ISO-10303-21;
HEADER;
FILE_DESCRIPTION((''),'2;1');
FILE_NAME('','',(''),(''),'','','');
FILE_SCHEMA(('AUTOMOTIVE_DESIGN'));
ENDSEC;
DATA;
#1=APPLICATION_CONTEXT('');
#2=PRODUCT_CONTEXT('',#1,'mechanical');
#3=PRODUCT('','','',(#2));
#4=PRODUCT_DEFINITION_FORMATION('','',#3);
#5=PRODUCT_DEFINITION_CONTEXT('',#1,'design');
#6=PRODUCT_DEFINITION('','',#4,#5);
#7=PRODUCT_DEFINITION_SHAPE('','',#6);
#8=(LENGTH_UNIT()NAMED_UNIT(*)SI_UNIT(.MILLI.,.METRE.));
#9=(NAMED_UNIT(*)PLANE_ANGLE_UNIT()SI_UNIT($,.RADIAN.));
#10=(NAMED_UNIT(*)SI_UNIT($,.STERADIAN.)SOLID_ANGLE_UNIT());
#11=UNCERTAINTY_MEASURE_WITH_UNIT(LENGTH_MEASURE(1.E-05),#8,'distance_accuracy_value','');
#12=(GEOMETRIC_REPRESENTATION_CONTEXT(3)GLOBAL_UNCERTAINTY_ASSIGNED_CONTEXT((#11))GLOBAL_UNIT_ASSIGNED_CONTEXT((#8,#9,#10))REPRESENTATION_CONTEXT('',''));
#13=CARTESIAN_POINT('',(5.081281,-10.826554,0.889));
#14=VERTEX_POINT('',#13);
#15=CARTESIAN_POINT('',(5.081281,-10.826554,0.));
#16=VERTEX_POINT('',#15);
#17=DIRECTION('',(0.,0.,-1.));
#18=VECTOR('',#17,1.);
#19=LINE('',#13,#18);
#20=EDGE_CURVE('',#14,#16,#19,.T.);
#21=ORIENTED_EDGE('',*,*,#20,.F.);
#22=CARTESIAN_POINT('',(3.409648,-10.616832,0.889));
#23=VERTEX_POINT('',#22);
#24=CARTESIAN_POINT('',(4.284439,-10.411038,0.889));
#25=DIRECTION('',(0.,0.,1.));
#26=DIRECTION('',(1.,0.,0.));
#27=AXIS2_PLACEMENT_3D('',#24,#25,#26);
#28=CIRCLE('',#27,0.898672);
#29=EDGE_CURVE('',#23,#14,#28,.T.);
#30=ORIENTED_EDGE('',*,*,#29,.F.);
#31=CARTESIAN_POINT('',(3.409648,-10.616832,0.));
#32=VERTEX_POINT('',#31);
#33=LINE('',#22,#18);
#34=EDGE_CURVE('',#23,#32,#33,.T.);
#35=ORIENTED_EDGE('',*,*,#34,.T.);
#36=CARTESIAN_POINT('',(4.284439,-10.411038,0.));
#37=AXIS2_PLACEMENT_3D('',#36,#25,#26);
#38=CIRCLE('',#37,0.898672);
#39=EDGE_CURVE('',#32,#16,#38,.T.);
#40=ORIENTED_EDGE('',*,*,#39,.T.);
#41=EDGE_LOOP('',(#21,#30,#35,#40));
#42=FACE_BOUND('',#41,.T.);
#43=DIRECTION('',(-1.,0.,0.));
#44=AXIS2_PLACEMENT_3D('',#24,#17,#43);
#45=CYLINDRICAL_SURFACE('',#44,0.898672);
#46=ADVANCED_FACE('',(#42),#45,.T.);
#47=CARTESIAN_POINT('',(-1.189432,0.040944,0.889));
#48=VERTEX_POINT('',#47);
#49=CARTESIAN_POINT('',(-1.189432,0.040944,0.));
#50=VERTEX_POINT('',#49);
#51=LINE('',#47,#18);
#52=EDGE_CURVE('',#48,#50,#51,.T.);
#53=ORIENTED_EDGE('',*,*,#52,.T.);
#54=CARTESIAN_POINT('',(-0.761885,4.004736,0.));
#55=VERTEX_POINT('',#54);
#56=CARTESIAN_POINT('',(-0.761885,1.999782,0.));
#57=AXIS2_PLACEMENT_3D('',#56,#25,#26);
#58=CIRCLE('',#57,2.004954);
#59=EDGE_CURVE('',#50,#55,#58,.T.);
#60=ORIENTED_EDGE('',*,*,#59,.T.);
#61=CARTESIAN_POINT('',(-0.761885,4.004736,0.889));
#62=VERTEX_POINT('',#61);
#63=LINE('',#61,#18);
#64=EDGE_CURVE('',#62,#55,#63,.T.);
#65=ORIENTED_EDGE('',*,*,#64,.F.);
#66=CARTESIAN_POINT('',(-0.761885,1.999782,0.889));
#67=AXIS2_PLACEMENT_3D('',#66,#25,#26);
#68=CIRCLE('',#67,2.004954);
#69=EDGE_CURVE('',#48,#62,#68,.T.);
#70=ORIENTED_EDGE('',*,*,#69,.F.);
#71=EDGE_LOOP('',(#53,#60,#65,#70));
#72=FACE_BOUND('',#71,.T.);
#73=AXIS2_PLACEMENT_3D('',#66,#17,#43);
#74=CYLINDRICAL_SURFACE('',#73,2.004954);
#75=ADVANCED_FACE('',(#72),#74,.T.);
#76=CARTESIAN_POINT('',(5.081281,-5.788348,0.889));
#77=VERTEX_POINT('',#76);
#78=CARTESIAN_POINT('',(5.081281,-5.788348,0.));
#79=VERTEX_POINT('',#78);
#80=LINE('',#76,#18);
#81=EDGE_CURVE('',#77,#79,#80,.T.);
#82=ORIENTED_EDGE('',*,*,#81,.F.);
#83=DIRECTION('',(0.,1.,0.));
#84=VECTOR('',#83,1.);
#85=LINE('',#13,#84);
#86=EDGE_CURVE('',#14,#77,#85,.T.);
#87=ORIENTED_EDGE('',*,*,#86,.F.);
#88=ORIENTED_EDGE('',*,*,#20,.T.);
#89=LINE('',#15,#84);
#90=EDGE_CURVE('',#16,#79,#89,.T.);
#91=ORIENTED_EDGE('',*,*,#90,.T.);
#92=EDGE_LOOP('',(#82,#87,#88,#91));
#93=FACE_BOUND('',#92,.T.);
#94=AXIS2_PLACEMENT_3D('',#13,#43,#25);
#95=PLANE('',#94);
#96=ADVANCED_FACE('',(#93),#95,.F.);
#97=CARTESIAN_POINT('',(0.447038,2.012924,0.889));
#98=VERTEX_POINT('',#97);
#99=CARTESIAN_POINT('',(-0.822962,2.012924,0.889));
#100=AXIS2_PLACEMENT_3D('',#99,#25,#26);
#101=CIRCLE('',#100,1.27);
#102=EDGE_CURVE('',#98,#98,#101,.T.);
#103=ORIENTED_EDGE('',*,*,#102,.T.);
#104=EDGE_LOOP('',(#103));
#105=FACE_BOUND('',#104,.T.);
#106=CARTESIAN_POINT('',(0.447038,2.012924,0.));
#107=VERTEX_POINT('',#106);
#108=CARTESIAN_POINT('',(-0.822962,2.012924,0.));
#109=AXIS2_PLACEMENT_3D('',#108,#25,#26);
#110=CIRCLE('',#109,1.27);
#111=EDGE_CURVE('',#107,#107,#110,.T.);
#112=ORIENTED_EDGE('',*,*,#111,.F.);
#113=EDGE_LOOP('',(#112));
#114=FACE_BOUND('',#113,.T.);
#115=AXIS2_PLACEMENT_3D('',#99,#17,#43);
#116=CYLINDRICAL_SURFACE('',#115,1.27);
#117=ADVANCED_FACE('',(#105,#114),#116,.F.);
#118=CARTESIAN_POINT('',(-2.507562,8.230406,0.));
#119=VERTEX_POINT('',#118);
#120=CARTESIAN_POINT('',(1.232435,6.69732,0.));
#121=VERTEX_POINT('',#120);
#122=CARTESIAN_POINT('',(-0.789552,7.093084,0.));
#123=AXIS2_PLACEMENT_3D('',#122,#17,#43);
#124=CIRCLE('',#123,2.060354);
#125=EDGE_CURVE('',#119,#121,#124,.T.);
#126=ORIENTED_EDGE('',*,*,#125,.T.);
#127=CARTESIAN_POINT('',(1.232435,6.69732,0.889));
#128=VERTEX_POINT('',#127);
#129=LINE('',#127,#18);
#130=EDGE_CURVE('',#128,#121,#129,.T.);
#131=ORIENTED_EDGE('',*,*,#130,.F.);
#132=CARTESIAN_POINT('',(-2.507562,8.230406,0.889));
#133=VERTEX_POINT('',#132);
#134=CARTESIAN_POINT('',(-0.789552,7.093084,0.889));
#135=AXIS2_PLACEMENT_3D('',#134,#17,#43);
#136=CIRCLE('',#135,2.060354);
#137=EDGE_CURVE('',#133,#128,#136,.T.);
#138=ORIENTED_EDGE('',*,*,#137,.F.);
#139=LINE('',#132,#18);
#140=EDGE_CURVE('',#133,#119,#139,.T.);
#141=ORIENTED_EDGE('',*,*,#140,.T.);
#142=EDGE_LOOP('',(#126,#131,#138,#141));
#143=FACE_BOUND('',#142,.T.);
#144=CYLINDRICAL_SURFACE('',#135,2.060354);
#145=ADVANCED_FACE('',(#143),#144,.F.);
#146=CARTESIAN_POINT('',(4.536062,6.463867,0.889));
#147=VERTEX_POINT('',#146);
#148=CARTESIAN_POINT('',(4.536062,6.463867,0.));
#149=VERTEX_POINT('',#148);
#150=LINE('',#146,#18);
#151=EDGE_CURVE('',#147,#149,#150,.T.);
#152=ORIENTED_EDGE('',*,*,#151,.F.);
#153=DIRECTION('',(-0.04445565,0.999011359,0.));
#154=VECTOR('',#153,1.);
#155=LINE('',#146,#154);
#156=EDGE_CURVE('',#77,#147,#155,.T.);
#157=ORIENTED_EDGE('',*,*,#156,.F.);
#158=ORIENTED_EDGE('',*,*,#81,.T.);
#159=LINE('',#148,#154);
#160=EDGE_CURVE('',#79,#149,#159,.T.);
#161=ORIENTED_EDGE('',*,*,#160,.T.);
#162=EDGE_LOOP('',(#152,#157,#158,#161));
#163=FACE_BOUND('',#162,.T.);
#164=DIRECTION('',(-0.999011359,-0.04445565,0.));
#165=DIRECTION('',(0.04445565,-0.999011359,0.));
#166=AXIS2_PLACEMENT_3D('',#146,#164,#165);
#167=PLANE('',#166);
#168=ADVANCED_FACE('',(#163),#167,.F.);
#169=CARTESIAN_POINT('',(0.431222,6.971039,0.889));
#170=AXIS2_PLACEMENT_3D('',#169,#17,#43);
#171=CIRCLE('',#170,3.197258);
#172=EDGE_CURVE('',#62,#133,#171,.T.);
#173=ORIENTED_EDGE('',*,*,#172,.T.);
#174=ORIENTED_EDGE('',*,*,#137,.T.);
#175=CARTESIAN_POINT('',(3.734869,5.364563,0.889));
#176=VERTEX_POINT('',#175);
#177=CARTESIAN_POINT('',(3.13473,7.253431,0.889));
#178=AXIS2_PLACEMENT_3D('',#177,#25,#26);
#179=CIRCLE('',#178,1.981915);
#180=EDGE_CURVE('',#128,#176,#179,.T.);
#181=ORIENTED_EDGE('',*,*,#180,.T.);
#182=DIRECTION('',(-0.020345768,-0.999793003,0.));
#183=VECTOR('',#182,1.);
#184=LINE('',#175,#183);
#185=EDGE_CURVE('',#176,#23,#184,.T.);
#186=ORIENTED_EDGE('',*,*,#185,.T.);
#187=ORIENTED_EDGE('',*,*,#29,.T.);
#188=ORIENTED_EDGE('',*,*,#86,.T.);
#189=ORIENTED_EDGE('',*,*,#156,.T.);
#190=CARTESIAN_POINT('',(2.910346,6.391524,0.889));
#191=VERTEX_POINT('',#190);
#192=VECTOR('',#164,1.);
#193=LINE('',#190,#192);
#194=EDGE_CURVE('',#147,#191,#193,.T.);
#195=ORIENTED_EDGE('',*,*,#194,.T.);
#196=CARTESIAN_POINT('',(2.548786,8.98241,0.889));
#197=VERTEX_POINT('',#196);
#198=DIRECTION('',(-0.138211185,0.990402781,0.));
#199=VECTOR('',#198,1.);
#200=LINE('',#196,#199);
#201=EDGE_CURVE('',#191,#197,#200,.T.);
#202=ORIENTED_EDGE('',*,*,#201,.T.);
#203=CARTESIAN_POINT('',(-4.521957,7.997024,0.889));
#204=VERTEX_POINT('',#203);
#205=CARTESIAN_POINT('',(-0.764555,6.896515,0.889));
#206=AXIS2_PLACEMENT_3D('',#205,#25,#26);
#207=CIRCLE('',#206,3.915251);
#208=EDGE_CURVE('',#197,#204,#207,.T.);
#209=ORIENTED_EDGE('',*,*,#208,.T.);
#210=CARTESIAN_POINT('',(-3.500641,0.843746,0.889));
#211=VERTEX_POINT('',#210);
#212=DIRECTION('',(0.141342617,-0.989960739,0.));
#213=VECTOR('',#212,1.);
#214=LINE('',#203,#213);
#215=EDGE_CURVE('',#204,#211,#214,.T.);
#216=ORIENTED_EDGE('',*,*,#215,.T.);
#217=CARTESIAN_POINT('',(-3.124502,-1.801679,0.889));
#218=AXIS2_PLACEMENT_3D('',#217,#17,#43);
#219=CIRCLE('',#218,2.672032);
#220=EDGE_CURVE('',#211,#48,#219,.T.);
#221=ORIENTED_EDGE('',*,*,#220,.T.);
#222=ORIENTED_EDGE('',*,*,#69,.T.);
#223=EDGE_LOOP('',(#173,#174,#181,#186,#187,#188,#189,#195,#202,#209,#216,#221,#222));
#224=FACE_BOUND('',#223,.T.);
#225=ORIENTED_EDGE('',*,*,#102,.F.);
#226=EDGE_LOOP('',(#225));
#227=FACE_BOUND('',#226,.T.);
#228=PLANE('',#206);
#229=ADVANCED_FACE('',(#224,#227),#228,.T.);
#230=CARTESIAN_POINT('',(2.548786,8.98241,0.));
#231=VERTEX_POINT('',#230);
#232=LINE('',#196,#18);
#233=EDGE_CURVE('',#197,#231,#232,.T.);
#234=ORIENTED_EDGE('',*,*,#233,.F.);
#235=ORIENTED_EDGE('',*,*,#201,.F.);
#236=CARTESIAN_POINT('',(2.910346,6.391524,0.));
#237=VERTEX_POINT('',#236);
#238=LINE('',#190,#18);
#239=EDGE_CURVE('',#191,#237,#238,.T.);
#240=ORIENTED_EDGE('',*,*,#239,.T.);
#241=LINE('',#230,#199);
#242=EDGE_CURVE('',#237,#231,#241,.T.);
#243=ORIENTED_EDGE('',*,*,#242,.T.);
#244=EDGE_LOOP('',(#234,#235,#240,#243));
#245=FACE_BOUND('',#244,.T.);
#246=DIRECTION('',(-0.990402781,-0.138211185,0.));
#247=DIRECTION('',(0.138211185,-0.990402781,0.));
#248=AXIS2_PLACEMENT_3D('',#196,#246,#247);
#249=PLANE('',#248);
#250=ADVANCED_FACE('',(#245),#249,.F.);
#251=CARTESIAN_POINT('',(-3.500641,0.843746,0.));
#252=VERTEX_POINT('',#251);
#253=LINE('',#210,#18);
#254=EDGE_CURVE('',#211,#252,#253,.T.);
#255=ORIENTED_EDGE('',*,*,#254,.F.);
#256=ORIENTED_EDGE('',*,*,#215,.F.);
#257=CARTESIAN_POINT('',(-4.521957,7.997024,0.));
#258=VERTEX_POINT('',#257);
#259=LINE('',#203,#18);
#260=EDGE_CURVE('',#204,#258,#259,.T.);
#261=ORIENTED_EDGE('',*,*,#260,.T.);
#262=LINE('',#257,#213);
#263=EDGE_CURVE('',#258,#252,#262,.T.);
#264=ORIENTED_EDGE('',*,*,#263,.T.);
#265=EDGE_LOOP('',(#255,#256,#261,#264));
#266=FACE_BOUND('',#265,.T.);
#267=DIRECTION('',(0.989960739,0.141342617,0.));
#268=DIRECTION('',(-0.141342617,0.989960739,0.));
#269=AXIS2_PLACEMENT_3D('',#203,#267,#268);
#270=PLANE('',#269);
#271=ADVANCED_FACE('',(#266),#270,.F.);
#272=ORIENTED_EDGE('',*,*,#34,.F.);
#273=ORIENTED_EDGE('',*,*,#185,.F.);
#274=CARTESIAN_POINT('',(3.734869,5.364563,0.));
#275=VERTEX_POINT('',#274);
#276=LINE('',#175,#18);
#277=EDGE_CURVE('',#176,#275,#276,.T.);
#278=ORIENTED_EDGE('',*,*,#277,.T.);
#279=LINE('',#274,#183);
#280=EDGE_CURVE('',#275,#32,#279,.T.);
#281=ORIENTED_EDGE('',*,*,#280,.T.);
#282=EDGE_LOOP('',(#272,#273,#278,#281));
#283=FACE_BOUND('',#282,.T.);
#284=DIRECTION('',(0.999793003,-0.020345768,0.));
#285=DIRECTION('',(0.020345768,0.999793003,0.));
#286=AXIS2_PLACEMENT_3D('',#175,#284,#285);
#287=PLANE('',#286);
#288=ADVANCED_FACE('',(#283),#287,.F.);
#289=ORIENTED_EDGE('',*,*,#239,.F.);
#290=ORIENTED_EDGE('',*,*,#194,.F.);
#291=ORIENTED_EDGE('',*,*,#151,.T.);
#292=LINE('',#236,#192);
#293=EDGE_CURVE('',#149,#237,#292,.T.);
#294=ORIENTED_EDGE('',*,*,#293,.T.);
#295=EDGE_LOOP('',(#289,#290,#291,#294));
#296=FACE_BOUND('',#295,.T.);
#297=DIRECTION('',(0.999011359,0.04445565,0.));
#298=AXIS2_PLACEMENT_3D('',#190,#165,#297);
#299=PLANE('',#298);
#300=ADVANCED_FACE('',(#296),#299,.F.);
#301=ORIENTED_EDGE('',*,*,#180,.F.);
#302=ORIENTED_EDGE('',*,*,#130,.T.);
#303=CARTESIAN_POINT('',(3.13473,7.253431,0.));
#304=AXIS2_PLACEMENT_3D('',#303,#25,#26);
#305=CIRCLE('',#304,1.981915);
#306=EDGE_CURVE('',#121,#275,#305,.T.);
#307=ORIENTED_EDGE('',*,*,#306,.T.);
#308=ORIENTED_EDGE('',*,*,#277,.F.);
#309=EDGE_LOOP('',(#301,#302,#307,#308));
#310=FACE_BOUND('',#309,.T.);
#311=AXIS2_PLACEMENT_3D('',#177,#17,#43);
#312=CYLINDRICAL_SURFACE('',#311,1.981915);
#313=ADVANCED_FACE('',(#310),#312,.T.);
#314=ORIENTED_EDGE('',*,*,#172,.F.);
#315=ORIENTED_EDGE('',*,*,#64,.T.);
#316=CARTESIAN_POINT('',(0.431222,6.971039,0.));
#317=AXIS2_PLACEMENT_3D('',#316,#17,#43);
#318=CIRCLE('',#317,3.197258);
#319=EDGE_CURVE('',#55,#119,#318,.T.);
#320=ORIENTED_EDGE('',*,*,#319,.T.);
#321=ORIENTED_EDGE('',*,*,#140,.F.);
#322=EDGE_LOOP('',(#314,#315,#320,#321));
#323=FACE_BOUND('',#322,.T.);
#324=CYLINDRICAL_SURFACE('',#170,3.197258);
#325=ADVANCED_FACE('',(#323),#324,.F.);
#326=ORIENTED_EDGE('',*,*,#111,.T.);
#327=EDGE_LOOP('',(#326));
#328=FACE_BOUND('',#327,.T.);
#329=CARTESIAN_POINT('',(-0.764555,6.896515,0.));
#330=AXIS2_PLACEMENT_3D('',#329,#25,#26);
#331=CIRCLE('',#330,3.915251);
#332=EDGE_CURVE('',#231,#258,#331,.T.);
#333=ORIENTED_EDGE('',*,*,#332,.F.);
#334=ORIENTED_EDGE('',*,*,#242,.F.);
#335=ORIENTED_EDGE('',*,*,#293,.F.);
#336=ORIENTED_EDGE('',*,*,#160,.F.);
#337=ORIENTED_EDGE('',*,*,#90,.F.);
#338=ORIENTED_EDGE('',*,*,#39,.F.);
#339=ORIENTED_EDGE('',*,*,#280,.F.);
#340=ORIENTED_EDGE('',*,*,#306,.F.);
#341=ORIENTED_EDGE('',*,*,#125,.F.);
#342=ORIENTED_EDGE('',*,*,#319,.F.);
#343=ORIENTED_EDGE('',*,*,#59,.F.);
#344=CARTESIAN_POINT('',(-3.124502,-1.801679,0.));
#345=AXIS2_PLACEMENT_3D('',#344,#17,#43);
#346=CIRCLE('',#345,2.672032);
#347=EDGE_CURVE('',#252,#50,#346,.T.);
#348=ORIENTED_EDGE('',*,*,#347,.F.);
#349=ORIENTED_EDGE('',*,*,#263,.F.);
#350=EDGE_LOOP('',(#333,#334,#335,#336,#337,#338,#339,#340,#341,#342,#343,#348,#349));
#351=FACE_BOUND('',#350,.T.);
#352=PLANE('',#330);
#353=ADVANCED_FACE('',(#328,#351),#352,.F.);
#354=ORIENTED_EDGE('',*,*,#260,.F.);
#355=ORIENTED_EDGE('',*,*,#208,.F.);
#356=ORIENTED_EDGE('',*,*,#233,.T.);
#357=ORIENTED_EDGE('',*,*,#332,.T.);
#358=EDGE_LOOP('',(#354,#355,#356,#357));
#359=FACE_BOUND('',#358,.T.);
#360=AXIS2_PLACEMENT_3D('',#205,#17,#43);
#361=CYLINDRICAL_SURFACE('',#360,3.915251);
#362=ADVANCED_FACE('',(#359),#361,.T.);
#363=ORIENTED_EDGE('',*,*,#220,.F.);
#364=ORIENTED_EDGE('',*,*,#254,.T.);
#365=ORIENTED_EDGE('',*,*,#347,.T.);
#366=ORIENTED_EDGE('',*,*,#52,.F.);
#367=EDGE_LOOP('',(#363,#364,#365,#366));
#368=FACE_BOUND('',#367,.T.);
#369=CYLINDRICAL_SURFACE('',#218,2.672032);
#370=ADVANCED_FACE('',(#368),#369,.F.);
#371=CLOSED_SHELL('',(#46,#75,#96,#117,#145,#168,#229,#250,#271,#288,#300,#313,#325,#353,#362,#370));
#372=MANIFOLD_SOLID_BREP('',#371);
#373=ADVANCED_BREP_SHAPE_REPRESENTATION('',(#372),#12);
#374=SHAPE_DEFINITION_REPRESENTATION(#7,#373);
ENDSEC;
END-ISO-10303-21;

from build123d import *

# Parameters (mm, degrees)
SKETCH1_R           = 1.27
BOSS_EXTRUDE1_DEPTH = 0.889


with BuildPart() as part:
    # Sketch1 → Boss-Extrude1 (new body)
    with BuildSketch(Plane.XY):
        with BuildLine():
            Line((-4.521957117, 7.997023921), (-3.500640843, 0.843746079))
            ThreePointArc((-3.500640843, 0.843746079), (-2.247752793, 0.722417864), (-1.189432305, 0.040943912))
            ThreePointArc((-1.189432305, 0.040943912), (1.231506645, 1.78476828), (-0.761885285, 4.004736172))
            ThreePointArc((-0.761885285, 4.004736172), (-2.523808067, 5.75027928), (-2.507561872, 8.230406029))
            ThreePointArc((-2.507561872, 8.230406029), (-0.008086329, 8.999486055), (1.23243455, 6.697319679))
            ThreePointArc((1.23243455, 6.697319679), (2.203084663, 5.504138097), (3.734868812, 5.364562852))
            Line((3.734868812, 5.364562852), (3.409647754, -10.616831622))
            ThreePointArc((3.409647754, -10.616831622), (4.172569321, -11.302719528), (5.081281403, -10.826553706))
            Line((5.081281403, -10.826553706), (5.081281403, -5.788347659))
            Line((5.081281403, -5.788347659), (4.536062194, 6.463867416))
            Line((4.536062194, 6.463867416), (2.910345816, 6.391523616))
            Line((2.910345816, 6.391523616), (2.548786355, 8.982410145))
            ThreePointArc((2.548786355, 8.982410145), (-1.304965957, 10.774290658), (-4.521957117, 7.997023921))
        make_face()
        with Locations((-0.822961988, 2.012924292)):
            Circle(SKETCH1_R, mode=Mode.SUBTRACT)
    extrude(amount=BOSS_EXTRUDE1_DEPTH)


solid = part.part
